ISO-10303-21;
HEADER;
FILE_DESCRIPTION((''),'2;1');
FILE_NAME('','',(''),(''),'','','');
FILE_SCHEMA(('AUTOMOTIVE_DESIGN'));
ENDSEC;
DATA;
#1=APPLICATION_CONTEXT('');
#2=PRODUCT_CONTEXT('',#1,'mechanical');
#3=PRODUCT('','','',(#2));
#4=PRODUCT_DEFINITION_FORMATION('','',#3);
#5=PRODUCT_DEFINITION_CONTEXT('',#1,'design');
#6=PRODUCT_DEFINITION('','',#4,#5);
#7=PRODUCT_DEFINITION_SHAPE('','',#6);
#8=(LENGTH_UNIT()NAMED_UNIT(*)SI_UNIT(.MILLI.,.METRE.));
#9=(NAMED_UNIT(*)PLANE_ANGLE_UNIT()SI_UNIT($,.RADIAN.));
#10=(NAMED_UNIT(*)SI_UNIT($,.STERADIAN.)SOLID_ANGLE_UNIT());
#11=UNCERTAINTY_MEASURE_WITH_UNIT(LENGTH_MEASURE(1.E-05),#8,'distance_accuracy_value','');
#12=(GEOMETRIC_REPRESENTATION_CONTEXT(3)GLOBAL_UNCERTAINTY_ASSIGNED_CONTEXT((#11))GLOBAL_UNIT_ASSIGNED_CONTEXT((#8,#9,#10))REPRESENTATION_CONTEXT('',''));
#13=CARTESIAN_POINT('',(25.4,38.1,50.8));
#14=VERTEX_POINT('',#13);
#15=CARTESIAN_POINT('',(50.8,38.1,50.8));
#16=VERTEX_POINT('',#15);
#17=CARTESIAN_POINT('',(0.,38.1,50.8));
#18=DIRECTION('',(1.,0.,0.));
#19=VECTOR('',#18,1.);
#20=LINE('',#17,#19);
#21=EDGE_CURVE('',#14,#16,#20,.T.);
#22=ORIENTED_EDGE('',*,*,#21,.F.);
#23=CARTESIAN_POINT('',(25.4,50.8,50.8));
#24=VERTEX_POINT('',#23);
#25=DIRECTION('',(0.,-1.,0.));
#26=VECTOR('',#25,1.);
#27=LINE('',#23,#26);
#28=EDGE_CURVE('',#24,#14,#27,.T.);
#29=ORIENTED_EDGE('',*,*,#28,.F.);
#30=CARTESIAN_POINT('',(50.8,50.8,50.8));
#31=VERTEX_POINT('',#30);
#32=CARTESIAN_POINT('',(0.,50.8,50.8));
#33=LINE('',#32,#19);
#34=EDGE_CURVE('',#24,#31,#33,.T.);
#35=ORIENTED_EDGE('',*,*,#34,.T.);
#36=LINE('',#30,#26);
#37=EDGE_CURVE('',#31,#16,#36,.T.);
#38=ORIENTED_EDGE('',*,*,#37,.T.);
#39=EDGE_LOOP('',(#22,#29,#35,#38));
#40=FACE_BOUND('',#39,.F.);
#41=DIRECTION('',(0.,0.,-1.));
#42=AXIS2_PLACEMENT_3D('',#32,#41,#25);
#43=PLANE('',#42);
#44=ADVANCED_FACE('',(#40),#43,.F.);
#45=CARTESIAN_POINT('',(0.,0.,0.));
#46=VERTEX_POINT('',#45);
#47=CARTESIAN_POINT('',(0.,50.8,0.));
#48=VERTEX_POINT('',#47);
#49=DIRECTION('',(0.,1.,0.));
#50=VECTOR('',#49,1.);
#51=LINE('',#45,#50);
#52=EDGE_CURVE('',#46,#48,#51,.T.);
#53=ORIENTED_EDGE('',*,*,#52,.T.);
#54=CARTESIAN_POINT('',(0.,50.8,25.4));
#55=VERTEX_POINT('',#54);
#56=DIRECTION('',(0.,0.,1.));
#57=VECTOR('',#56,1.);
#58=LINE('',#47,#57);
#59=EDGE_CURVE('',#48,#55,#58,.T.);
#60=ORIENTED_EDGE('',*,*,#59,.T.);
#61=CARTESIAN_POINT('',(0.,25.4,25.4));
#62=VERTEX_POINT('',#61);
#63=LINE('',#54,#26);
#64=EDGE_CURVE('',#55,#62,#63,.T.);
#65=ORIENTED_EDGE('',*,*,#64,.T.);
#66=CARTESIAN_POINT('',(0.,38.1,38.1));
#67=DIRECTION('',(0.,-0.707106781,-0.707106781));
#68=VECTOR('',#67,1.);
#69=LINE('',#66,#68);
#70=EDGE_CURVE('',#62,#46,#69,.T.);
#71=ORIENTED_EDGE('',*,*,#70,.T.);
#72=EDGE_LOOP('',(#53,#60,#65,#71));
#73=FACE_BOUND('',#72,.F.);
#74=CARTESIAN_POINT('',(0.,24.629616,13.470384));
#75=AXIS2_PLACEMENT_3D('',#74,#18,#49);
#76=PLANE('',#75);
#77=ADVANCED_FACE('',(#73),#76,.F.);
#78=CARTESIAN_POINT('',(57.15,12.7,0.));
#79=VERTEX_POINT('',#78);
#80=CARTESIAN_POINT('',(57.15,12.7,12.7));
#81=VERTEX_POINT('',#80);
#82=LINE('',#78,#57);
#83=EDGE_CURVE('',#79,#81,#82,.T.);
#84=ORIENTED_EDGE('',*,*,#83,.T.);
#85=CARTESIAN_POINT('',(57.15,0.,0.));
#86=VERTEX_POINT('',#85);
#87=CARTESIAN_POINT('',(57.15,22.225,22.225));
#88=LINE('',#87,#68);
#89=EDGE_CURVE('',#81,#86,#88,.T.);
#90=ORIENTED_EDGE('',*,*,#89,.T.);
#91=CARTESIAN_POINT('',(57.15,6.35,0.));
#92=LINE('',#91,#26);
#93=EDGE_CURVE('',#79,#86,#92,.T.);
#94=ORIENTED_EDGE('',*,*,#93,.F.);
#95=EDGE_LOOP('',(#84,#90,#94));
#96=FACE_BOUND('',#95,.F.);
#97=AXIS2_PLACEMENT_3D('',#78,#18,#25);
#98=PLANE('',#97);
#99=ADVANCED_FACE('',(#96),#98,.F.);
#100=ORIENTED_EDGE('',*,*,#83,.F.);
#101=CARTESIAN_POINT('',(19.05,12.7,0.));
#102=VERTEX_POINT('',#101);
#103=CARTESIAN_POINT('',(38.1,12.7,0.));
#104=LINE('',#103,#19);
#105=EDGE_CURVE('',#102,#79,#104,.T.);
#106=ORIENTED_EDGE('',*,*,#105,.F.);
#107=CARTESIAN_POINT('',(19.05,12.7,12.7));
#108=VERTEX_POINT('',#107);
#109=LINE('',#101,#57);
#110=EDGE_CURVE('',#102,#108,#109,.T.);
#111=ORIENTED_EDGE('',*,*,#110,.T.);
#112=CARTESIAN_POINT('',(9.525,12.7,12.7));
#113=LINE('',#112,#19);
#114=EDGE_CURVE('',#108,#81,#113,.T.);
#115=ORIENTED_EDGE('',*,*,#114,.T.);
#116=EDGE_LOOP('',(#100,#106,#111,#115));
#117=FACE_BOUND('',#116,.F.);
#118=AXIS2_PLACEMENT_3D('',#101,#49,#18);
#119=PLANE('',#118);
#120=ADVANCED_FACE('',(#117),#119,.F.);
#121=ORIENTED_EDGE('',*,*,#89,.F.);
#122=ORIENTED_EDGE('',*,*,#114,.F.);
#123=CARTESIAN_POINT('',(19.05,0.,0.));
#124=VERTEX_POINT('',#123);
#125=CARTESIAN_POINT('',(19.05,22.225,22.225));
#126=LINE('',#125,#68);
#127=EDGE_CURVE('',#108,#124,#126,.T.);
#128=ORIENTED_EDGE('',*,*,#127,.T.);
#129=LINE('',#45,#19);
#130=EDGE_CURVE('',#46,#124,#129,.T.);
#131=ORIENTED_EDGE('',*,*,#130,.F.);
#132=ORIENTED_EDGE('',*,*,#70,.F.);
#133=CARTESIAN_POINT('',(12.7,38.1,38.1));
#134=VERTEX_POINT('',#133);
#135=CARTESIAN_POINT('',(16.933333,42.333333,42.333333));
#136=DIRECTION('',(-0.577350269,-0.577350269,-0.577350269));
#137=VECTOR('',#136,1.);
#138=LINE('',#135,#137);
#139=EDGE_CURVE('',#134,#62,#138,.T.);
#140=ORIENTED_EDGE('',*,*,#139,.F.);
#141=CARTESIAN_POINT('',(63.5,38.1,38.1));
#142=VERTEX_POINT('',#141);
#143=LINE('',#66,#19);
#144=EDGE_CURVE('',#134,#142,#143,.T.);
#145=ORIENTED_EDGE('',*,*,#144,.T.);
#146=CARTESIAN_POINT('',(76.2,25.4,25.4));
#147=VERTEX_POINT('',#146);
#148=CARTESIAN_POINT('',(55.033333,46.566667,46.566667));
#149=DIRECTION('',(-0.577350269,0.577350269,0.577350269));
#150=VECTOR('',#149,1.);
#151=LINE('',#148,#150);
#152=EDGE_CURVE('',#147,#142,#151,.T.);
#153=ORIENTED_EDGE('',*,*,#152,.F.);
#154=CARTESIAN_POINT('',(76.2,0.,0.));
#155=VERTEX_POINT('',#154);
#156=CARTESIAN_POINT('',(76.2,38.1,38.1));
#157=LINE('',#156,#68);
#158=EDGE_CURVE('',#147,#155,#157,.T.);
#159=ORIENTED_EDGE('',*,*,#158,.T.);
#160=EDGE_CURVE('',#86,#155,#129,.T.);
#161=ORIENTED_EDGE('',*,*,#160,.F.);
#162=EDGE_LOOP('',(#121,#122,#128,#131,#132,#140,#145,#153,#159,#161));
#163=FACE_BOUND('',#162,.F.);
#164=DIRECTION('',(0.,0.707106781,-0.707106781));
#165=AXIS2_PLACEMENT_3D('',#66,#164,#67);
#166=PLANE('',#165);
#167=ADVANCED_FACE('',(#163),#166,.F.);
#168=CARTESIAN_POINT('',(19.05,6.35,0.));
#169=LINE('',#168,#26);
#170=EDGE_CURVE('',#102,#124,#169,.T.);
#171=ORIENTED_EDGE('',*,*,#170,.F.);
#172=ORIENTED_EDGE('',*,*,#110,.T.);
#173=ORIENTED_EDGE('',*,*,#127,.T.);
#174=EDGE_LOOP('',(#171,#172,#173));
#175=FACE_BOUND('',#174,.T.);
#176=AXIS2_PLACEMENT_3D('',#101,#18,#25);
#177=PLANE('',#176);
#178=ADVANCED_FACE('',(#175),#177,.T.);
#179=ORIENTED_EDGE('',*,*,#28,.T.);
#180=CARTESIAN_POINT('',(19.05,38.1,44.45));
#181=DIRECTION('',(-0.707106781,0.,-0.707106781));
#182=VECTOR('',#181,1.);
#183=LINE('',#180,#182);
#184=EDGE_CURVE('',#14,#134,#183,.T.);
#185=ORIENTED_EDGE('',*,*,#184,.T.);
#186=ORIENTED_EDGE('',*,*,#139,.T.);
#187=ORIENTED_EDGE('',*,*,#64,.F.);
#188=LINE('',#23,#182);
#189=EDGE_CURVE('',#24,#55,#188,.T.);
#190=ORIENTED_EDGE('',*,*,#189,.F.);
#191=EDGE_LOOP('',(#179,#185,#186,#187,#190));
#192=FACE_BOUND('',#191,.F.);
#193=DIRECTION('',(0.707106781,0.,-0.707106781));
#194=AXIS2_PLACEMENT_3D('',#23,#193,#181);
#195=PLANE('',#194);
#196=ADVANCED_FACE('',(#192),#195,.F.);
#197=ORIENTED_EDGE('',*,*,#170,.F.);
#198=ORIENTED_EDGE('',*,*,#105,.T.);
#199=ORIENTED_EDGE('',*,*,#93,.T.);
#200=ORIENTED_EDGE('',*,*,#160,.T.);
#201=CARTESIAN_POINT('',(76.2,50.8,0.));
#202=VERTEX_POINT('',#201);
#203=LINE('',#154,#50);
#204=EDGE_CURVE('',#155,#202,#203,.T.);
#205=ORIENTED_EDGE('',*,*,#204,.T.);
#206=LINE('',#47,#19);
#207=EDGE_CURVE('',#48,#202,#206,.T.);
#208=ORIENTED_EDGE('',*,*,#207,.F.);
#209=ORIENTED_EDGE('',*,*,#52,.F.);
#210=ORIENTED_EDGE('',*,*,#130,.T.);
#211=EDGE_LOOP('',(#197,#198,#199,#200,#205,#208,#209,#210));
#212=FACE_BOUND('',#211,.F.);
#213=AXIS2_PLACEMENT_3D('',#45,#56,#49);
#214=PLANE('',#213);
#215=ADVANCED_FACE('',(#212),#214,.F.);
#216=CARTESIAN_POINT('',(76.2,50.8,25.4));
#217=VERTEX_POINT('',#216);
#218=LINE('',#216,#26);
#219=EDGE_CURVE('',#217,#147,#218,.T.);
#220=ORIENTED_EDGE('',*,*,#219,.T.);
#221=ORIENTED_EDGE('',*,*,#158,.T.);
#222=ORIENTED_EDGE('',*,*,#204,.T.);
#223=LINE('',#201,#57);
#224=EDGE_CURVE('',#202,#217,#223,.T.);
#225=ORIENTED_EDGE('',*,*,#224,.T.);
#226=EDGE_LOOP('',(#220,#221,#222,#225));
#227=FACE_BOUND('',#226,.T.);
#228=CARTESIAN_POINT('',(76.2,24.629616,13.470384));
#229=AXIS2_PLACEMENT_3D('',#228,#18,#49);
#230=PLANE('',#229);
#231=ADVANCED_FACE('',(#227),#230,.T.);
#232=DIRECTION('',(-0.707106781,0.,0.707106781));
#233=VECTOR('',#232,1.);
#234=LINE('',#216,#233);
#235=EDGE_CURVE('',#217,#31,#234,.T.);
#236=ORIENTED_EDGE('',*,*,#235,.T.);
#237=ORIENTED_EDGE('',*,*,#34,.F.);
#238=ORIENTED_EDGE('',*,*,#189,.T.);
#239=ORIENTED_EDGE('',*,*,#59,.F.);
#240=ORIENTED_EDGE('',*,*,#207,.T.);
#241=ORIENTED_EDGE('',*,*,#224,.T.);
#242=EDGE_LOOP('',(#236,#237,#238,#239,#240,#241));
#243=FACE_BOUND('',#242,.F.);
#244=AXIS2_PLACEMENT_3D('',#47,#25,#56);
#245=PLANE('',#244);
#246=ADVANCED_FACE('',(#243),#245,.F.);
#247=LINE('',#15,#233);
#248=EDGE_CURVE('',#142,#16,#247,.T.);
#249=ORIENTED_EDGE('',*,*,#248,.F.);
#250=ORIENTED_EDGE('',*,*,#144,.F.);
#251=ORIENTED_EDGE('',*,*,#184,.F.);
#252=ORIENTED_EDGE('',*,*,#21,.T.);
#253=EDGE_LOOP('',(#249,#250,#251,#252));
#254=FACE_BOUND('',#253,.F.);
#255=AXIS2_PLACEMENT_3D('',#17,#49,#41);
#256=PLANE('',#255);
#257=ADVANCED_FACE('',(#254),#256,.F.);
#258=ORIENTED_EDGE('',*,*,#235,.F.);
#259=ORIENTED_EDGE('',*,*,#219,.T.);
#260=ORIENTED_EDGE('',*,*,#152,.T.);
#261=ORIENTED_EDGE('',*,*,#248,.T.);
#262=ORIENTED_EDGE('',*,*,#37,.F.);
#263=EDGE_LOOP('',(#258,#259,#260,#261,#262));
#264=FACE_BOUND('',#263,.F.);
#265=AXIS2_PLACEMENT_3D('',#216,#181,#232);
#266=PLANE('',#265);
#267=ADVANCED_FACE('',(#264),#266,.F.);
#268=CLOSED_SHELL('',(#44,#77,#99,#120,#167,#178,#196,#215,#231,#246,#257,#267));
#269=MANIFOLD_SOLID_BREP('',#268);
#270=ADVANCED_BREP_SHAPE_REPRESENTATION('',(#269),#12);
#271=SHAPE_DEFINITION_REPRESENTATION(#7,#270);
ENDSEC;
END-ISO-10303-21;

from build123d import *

# Parameters (mm, degrees)
F0_W     = 12.7
F0_H     = 25.4
F1_DEPTH = 76.2
F2_W     = 38.1
F2_H     = 12.7
F3_DEPTH = 50.801
F5_DEPTH = 50.801


with BuildPart() as f1:
    # F0 (on Right) → F1 (new body)
    with BuildSketch(Plane.YZ):
        Polygon((38.1, 38.1), (0, 0), (38.1, 0), (38.1, 25.4), align=None)
        with Locations((44.45, 12.7)):
            Rectangle(F0_W, F0_H)
        Polygon((38.1, 50.8), (38.1, 38.1), (38.1, 25.4), (50.8, 25.4), (50.8, 50.8), align=None)
    extrude(amount=F1_DEPTH)

    # F2 (on face) → F3 (cut, through all)
    with BuildSketch(Plane(origin=(0, 0, 0), x_dir=(1, 0, 0), z_dir=(0, 0, -1))):
        with Locations((38.1, -6.35)):
            Rectangle(F2_W, F2_H)
    extrude(amount=-F3_DEPTH, mode=Mode.SUBTRACT)

    # F4 (on face) → F5 (cut, through all)
    with BuildSketch(Plane(origin=(0, 50.8, 0), x_dir=(-1, 0, 0), z_dir=(0, 1, 0))):
        Polygon((-76.2, 38.1), (-63.5, 38.1), (-50.8, 50.8), (-76.2, 50.8), align=None)
        Polygon((-25.4, 50.8), (-12.7, 38.1), (0, 38.1), (0, 50.8), align=None)
        Polygon((0, 38.1), (-12.7, 38.1), (0, 25.4), align=None)
        Polygon((-76.2, 25.4), (-63.5, 38.1), (-76.2, 38.1), align=None)
    extrude(amount=-F5_DEPTH, mode=Mode.SUBTRACT)


solid = f1.part
